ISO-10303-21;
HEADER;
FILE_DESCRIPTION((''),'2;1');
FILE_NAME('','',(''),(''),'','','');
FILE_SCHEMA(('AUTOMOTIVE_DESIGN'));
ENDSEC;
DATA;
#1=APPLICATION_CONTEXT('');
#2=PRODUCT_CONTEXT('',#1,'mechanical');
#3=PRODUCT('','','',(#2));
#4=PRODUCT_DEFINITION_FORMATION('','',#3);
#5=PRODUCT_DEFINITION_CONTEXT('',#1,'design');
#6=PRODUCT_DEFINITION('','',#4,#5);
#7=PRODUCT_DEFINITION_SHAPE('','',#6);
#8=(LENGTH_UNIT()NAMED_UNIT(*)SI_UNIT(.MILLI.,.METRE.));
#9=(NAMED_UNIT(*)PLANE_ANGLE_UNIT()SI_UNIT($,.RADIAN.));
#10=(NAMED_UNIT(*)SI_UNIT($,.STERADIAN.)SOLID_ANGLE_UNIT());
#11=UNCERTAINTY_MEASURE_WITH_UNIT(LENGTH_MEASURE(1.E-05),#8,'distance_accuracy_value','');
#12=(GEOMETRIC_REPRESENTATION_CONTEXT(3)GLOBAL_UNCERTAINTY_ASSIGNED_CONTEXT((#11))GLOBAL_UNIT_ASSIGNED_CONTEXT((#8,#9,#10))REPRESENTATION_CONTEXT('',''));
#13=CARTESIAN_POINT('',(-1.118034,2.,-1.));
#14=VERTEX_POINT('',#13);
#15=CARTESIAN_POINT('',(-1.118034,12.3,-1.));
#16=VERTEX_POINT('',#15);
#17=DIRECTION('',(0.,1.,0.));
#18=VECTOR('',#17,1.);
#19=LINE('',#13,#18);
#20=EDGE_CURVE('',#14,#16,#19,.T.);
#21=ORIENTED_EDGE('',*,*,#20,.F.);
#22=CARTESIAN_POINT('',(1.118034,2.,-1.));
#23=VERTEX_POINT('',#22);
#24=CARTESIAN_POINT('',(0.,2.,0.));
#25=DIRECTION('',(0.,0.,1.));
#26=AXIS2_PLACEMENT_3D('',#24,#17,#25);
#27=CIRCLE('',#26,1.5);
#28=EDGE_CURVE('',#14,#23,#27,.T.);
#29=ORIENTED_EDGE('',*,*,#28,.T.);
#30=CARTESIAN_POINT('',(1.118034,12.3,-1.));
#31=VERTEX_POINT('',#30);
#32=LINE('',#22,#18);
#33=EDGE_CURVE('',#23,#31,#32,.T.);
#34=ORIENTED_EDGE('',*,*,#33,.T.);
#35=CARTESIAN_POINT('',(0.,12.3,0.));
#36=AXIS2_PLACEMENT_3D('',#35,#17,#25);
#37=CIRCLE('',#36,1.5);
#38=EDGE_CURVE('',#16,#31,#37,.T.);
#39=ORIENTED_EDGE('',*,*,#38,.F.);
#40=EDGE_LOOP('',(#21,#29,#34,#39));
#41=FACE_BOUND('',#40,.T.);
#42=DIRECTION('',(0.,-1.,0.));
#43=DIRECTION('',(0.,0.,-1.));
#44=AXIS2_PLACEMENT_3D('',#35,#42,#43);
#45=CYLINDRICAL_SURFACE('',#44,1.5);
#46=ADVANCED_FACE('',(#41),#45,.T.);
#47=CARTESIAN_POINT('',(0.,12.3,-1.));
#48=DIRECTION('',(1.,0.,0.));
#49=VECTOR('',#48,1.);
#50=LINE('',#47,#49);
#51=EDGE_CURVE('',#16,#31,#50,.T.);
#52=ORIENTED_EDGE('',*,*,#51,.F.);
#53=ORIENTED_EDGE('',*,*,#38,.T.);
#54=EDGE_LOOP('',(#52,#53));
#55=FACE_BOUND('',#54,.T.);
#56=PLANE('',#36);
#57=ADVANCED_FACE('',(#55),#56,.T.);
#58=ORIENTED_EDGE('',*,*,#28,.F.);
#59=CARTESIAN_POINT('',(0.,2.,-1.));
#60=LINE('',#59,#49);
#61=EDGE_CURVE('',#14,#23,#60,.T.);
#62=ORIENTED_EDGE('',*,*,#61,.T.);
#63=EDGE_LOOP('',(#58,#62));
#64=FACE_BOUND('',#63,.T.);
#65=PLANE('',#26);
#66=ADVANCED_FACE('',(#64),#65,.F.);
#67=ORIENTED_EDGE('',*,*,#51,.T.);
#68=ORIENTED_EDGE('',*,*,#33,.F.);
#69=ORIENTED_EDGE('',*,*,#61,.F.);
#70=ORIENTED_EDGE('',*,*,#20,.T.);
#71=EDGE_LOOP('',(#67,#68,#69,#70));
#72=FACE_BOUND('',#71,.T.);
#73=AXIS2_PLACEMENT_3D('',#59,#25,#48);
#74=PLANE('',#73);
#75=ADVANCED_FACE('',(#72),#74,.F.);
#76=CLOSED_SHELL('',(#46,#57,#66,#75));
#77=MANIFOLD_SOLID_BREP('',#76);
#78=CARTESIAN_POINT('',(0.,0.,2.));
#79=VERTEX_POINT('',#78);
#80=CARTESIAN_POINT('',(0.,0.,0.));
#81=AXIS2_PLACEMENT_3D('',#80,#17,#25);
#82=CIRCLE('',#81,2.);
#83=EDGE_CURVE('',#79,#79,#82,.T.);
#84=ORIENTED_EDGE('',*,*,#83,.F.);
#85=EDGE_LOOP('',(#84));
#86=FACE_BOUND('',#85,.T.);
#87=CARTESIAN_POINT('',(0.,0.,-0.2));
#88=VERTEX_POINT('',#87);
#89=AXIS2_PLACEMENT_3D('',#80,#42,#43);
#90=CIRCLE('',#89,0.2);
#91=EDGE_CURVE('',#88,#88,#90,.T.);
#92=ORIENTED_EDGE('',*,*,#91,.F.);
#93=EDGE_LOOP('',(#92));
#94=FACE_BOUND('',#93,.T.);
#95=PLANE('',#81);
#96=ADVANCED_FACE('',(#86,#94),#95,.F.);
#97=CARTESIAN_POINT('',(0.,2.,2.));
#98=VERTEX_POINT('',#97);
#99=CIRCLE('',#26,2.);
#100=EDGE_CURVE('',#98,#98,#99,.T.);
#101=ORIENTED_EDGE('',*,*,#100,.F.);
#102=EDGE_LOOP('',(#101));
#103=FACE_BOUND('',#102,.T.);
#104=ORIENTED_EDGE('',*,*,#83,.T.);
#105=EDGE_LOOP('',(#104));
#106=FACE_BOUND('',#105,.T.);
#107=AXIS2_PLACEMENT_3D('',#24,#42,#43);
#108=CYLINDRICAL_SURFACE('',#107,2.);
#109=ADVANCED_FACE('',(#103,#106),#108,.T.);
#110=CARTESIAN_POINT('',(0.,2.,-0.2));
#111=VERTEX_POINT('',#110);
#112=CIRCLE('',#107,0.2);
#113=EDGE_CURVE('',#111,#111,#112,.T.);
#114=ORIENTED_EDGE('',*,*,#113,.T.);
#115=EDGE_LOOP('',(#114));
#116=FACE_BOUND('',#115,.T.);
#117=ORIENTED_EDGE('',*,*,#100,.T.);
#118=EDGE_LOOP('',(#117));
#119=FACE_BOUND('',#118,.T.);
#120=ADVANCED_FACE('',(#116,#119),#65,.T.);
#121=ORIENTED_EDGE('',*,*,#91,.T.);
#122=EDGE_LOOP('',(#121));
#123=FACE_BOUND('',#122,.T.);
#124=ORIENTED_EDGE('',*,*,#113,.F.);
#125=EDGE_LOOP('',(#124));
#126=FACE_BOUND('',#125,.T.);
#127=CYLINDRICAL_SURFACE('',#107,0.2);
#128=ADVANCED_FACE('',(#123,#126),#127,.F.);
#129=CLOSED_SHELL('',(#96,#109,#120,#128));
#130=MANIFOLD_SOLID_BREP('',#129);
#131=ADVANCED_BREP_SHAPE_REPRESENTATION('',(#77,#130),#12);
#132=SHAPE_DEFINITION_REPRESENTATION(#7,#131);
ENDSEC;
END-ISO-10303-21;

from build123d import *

# Parameters (mm, degrees)
CROQUIS1_R              = 2
SALIENTE_EXTRUIR1_DEPTH = 2
CROQUIS2_R              = 0.2
CORTAR_EXTRUIR1_DEPTH   = 2
CROQUIS3_R              = 1.5
SALIENTE_EXTRUIR2_DEPTH = 10.3
CORTAR_EXTRUIR2_DEPTH   = 10.3


with BuildPart() as part:
    # Croquis1 → Saliente-Extruir1 (new body)
    with BuildSketch(Plane(origin=(0, 0, 0), x_dir=(1, 0, 0), z_dir=(0, 1, 0))):
        Circle(CROQUIS1_R)
    extrude(amount=SALIENTE_EXTRUIR1_DEPTH)

    # Croquis2 → Cortar-Extruir1 (cut)
    with BuildSketch(Plane.XZ):
        Circle(CROQUIS2_R)
    extrude(amount=-CORTAR_EXTRUIR1_DEPTH, mode=Mode.SUBTRACT)


with BuildPart() as body_2:
    # Croquis3 → Saliente-Extruir2 (new body)
    with BuildSketch(Plane(origin=(0, 2, 0), x_dir=(1, 0, 0), z_dir=(0, 1, 0))):
        Circle(CROQUIS3_R)
    extrude(amount=SALIENTE_EXTRUIR2_DEPTH)

    # Croquis5 → Cortar-Extruir2 (cut)
    with BuildSketch(Plane(origin=(0, 12.3, 0), x_dir=(1, 0, 0), z_dir=(0, 1, 0))):
        with BuildLine():
            Line((0, 1), (1.118033989, 1))
            ThreePointArc((1.118033989, 1), (0, 1.5), (-1.118033989, 1))
            Line((-1.118033989, 1), (0, 1))
        make_face()
    extrude(amount=-CORTAR_EXTRUIR2_DEPTH, mode=Mode.SUBTRACT)


solid = Compound([part.part, body_2.part])
